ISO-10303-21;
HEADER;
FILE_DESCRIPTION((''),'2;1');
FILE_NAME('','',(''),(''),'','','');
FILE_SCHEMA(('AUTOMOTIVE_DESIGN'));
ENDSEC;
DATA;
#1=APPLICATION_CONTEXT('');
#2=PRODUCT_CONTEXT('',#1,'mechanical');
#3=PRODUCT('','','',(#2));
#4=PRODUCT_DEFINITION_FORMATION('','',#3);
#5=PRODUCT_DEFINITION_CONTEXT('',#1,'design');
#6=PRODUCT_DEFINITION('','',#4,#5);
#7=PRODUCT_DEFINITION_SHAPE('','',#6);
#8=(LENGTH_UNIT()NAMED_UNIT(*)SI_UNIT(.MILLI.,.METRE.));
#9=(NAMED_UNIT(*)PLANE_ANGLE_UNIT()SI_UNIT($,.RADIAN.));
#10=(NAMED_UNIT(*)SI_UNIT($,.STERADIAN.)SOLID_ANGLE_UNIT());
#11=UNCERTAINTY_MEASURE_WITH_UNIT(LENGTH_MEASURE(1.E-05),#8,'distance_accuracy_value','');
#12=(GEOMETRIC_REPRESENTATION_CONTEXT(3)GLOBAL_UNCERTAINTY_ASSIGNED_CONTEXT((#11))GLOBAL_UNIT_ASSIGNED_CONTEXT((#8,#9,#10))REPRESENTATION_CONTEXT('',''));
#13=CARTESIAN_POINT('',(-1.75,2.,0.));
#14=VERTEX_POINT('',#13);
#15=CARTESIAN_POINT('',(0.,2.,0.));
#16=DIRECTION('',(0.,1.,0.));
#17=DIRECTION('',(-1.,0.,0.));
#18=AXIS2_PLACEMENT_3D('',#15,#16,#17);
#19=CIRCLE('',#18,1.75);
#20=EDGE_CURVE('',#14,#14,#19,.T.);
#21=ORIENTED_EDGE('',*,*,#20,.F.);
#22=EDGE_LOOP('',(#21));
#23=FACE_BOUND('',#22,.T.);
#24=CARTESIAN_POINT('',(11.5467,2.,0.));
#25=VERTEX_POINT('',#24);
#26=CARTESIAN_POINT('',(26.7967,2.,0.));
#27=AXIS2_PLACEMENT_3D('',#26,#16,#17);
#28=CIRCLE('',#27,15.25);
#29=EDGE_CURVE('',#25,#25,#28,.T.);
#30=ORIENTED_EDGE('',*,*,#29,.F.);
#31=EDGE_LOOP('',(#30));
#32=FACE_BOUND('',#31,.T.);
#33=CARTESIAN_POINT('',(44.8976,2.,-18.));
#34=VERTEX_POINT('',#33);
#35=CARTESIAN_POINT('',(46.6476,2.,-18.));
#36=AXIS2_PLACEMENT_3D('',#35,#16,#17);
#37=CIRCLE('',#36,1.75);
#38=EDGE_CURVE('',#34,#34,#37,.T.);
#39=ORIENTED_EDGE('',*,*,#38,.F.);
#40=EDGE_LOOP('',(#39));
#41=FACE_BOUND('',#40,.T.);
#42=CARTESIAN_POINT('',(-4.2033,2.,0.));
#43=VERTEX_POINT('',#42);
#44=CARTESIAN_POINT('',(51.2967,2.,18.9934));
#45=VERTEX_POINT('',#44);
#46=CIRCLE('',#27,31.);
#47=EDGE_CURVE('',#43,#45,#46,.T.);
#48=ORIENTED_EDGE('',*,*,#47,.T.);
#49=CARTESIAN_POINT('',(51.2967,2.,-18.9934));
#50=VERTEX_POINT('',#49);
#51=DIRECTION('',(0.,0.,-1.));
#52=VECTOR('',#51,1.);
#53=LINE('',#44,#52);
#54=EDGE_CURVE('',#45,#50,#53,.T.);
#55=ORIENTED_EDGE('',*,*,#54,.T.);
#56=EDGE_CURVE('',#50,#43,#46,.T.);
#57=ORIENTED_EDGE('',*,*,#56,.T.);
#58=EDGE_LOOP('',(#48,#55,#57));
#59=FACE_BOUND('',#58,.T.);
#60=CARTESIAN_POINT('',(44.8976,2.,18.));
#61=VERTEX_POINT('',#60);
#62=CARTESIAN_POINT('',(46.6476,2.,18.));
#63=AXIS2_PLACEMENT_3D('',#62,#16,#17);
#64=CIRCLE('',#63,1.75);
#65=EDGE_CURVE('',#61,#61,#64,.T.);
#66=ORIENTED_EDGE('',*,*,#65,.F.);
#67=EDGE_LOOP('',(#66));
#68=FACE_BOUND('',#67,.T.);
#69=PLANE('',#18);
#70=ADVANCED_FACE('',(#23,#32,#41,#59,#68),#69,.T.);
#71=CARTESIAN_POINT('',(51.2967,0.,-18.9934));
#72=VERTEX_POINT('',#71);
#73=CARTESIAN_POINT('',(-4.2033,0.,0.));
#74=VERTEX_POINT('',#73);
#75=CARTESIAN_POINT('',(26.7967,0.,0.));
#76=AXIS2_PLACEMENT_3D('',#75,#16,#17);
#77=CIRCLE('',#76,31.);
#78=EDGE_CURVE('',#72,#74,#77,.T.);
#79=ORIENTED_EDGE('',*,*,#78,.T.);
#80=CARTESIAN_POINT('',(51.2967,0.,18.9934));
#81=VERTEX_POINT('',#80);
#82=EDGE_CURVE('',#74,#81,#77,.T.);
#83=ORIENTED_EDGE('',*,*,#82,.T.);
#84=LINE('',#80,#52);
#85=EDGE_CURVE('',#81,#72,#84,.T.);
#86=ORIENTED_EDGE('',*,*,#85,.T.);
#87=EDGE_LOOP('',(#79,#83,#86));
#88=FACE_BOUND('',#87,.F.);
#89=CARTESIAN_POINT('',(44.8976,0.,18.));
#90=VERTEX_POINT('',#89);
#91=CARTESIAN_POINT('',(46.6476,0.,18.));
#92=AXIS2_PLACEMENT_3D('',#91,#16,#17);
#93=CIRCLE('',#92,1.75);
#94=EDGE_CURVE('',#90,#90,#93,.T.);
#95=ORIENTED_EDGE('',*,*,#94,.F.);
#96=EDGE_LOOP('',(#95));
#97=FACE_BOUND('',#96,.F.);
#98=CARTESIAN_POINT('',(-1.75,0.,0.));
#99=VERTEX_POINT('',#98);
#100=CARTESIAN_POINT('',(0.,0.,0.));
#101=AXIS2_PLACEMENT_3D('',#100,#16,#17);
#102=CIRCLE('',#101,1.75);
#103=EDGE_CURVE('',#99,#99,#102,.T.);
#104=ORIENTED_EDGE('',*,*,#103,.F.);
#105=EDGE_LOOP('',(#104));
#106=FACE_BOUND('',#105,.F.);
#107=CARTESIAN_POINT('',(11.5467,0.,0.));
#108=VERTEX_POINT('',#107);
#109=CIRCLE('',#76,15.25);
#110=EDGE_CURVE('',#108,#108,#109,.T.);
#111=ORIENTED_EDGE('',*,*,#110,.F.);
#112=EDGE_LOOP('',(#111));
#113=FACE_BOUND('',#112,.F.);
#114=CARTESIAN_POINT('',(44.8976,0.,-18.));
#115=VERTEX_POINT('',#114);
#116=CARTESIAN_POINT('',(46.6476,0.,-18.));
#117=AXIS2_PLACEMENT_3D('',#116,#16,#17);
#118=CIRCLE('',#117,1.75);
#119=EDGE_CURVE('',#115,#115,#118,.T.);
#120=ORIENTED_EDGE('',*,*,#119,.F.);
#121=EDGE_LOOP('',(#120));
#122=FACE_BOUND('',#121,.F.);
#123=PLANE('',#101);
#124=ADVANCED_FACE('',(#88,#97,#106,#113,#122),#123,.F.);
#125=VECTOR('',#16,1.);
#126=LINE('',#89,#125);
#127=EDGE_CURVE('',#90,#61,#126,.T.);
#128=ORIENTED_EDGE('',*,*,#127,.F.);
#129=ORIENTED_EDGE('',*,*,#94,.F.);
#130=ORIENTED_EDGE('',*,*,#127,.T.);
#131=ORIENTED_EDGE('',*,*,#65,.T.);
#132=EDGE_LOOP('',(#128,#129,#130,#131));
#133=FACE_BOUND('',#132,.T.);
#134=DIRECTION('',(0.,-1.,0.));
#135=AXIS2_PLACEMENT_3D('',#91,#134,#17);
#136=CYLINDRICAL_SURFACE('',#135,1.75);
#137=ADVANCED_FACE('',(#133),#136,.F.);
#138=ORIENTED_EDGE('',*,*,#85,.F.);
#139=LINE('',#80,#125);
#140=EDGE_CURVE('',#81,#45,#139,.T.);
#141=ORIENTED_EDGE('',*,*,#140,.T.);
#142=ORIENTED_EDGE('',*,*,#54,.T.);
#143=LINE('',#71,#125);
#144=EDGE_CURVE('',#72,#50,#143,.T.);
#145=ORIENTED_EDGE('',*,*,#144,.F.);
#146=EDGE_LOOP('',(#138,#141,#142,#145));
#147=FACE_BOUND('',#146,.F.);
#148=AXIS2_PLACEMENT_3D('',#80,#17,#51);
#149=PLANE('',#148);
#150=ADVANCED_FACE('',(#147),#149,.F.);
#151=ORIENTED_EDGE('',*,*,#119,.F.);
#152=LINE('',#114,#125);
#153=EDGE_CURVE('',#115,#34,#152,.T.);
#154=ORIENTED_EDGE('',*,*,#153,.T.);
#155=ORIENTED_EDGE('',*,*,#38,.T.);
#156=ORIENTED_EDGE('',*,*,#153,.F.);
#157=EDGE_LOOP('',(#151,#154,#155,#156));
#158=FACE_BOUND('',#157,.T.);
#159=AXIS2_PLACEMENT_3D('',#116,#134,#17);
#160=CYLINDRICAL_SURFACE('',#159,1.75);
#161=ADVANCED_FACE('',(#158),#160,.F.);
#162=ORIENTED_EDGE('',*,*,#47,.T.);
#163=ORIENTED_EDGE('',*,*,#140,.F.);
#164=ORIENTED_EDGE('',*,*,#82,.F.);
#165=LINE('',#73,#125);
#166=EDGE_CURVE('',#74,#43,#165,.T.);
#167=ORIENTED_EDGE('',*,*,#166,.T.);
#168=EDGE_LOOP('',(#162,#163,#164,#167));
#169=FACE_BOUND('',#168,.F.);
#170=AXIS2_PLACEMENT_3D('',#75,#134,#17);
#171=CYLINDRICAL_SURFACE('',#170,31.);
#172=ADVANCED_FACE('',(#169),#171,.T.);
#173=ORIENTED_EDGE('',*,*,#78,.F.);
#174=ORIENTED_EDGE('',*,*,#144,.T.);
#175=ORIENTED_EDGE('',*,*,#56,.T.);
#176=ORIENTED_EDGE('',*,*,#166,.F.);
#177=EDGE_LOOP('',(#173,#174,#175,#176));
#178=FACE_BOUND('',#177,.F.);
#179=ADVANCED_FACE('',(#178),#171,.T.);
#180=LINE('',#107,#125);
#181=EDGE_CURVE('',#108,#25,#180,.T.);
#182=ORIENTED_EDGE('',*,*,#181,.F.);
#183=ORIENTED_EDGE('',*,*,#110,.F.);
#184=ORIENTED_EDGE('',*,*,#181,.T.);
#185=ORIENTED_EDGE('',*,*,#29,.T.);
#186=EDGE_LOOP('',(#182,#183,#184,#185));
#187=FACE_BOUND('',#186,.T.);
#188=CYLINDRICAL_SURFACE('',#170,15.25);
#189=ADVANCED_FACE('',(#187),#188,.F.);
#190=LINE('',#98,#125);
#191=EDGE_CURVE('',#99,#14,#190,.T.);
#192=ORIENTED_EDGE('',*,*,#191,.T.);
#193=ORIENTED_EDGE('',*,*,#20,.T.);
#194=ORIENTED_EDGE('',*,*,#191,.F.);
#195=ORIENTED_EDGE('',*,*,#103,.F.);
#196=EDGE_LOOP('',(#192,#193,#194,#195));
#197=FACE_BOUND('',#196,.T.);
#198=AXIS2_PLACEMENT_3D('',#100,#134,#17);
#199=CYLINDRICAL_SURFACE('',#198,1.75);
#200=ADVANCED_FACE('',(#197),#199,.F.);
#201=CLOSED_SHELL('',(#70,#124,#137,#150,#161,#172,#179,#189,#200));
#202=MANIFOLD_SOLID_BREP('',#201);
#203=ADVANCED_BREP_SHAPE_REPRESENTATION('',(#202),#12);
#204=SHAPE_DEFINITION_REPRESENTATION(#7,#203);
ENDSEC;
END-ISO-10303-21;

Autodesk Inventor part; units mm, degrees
ref_plane "YZ Plane" through (0, 0, 0) normal (1, 0, 0) x (0, 1, 0)
ref_plane "XZ Plane" through (0, 0, 0) normal (0, 1, 0) x (-1, 0, 0)
ref_plane "XY Plane" through (0, 0, 0) normal (0, 0, 1) x (1, 0, 0)
sketch "Sketch1" plane through (0, 0, 0) normal (0, 1, 0) x (-1, 0, 0)
  circle A0 centre (0, 0) radius 1.75
  line L0 (0, 0) -> (-46.6476, -18) construction
  line L1 (-46.6476, -18) -> (-46.6476, 18) construction
  line L2 (-46.6476, 18) -> (0, 0) construction
  circle A1 centre (-46.6476, -18) radius 1.75 construction
  circle A2 centre (-46.6476, -18) radius 1.75
  circle A3 centre (-46.6476, 18) radius 1.75
  circle A4 centre (-34.2997, 0) radius 12.3479 construction
  arc A5 (0, 0) -> (-46.6476, 18) centre (-26.7967, 0) ccw construction
  arc A6 (-46.6476, 18) -> (-46.6476, -18) centre (-26.7967, 0) ccw construction
  arc A7 (-46.6476, -18) -> (0, 0) centre (-26.7967, 0) ccw construction
  circle A8 centre (-26.7967, 0) radius 31
  circle A9 centre (-26.7967, 0) radius 15.25
  line L3 (-51.2967, 18.9934) -> (-51.2967, -18.9934)
  dimension "d4" = 3.5
  dimension "d5" = 50
  dimension "d6" = 36
  dimension "d7" = 18
  dimension "d8" = 3.5
  dimension "d9" = 3.5
  dimension "d10" = 3.5
  dimension "d11" = 62
  dimension "d12" = 30.5
  dimension "d15" = 24.5
extrude "Extrusion1" add sketch "Sketch1" along normal blind 2 contours A8 L3 picked at (-48.2134, 0)
properties part number "00_Zeiss_Axiotech_Eyepiecemount"
